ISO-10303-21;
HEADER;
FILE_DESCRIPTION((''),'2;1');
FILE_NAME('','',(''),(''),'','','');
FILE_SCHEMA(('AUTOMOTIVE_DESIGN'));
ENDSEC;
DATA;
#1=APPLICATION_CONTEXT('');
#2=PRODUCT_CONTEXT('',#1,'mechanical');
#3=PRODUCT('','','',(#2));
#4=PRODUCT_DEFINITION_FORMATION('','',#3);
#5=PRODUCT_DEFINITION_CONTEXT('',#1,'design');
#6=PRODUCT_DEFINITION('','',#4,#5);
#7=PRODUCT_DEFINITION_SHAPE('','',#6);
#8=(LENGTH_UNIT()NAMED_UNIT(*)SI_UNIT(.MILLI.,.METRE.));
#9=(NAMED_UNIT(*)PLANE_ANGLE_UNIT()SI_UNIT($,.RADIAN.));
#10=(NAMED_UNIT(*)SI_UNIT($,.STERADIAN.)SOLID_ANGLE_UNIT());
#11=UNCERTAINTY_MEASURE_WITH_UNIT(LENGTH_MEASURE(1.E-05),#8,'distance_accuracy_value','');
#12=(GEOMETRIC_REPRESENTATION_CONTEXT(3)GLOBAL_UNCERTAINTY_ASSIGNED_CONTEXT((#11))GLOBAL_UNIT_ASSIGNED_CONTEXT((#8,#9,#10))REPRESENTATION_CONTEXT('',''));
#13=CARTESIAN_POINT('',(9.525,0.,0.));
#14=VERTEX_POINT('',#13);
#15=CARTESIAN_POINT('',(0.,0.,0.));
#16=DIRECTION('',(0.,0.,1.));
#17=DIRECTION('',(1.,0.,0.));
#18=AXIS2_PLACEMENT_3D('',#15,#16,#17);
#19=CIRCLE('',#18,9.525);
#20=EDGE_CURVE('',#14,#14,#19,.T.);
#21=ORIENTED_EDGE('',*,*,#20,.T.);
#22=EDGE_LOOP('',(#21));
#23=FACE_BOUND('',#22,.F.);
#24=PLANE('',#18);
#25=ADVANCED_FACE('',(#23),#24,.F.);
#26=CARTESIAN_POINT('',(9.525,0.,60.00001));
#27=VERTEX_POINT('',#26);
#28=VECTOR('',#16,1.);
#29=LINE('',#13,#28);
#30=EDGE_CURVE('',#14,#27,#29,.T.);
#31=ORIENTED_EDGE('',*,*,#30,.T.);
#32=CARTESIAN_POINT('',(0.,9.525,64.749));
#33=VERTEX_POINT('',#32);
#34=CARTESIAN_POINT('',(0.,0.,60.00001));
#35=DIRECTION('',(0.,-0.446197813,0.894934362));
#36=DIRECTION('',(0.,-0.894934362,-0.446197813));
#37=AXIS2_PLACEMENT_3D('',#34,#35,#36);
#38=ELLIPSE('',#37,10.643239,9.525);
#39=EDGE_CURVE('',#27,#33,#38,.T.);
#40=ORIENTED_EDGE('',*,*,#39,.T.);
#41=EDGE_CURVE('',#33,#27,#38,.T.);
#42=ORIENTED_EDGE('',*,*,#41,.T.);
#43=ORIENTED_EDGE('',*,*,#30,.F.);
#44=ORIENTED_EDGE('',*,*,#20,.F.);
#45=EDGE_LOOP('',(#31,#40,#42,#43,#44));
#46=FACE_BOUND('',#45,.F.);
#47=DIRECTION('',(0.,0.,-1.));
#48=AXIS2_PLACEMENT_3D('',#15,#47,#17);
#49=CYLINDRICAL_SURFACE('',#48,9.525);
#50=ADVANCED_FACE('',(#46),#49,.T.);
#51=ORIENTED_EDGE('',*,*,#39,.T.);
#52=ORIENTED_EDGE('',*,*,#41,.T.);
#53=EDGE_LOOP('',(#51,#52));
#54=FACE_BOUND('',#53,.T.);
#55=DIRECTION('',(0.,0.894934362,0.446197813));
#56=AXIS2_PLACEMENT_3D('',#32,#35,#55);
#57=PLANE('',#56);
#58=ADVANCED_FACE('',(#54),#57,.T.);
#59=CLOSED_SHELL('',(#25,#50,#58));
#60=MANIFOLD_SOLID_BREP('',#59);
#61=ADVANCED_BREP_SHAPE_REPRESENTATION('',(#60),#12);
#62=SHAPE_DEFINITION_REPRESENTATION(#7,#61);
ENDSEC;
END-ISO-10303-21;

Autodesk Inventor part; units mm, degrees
ref_plane "Start Plane" through (0, 0, 0) normal (0, 0, 1) x (1, 0, 0)
ref_plane "End Plane" through (0, 0, 64.749) normal (0, 0, 1) x (1, 0, 0)
sketch "Sketch" plane through (0, 0, 0) normal (0, 0, 1) x (1, 0, 0)
  circle A0 centre (0, 0) radius 9.525
  dimension "d0" = 19.05
extrude "Body" add sketch "Sketch" along normal up to surface (64.749 mm away) from surface at 0
sketch "Sketch2" plane through (0, 0, 0) normal (0, 0, 1) x (1, 0, 0)
  line L0 (0, 0) -> (10, 0)
ref_plane "Work Plane3" through (0, 0, 0) normal (0, -1, 0) x (1, 0, 0)
ref_plane "Work Plane4" through (0, 9.525, 64.749) normal (0, -0.4462, 0.8949) x (1, 0, 0)
split "Split1" plane through (0, 9.525, 64.749) removes the side toward (0, -0.4462, 0.8949)
sketch "Sketch3" plane through (0, 0, 0) normal (0, -1, 0) x (1, 0, 0)
  line L0 (-2, 0) -> (12, 0) projected
  line L1 (-2, 64.749) -> (12, 64.749) projected
  dimension "d7" = 64.749
equation "\"d0\" = Diam"
equation "\"d1\" = G_L"
equation "\"Diam\" = 19.05"
equation "\"G_L\" = d7"
equation "\"G_OFFSET_START\" = 0"
equation "\"G_OFFSET_END\" = 4.74899"
equation "\"d5\" = G_OFFSET_END + B_L"
equation "\"B_L\" = 60"
properties part number "ANSI/AISC Rolled Steel - 3/4-2.549, RB" material "Steel, Mild"
